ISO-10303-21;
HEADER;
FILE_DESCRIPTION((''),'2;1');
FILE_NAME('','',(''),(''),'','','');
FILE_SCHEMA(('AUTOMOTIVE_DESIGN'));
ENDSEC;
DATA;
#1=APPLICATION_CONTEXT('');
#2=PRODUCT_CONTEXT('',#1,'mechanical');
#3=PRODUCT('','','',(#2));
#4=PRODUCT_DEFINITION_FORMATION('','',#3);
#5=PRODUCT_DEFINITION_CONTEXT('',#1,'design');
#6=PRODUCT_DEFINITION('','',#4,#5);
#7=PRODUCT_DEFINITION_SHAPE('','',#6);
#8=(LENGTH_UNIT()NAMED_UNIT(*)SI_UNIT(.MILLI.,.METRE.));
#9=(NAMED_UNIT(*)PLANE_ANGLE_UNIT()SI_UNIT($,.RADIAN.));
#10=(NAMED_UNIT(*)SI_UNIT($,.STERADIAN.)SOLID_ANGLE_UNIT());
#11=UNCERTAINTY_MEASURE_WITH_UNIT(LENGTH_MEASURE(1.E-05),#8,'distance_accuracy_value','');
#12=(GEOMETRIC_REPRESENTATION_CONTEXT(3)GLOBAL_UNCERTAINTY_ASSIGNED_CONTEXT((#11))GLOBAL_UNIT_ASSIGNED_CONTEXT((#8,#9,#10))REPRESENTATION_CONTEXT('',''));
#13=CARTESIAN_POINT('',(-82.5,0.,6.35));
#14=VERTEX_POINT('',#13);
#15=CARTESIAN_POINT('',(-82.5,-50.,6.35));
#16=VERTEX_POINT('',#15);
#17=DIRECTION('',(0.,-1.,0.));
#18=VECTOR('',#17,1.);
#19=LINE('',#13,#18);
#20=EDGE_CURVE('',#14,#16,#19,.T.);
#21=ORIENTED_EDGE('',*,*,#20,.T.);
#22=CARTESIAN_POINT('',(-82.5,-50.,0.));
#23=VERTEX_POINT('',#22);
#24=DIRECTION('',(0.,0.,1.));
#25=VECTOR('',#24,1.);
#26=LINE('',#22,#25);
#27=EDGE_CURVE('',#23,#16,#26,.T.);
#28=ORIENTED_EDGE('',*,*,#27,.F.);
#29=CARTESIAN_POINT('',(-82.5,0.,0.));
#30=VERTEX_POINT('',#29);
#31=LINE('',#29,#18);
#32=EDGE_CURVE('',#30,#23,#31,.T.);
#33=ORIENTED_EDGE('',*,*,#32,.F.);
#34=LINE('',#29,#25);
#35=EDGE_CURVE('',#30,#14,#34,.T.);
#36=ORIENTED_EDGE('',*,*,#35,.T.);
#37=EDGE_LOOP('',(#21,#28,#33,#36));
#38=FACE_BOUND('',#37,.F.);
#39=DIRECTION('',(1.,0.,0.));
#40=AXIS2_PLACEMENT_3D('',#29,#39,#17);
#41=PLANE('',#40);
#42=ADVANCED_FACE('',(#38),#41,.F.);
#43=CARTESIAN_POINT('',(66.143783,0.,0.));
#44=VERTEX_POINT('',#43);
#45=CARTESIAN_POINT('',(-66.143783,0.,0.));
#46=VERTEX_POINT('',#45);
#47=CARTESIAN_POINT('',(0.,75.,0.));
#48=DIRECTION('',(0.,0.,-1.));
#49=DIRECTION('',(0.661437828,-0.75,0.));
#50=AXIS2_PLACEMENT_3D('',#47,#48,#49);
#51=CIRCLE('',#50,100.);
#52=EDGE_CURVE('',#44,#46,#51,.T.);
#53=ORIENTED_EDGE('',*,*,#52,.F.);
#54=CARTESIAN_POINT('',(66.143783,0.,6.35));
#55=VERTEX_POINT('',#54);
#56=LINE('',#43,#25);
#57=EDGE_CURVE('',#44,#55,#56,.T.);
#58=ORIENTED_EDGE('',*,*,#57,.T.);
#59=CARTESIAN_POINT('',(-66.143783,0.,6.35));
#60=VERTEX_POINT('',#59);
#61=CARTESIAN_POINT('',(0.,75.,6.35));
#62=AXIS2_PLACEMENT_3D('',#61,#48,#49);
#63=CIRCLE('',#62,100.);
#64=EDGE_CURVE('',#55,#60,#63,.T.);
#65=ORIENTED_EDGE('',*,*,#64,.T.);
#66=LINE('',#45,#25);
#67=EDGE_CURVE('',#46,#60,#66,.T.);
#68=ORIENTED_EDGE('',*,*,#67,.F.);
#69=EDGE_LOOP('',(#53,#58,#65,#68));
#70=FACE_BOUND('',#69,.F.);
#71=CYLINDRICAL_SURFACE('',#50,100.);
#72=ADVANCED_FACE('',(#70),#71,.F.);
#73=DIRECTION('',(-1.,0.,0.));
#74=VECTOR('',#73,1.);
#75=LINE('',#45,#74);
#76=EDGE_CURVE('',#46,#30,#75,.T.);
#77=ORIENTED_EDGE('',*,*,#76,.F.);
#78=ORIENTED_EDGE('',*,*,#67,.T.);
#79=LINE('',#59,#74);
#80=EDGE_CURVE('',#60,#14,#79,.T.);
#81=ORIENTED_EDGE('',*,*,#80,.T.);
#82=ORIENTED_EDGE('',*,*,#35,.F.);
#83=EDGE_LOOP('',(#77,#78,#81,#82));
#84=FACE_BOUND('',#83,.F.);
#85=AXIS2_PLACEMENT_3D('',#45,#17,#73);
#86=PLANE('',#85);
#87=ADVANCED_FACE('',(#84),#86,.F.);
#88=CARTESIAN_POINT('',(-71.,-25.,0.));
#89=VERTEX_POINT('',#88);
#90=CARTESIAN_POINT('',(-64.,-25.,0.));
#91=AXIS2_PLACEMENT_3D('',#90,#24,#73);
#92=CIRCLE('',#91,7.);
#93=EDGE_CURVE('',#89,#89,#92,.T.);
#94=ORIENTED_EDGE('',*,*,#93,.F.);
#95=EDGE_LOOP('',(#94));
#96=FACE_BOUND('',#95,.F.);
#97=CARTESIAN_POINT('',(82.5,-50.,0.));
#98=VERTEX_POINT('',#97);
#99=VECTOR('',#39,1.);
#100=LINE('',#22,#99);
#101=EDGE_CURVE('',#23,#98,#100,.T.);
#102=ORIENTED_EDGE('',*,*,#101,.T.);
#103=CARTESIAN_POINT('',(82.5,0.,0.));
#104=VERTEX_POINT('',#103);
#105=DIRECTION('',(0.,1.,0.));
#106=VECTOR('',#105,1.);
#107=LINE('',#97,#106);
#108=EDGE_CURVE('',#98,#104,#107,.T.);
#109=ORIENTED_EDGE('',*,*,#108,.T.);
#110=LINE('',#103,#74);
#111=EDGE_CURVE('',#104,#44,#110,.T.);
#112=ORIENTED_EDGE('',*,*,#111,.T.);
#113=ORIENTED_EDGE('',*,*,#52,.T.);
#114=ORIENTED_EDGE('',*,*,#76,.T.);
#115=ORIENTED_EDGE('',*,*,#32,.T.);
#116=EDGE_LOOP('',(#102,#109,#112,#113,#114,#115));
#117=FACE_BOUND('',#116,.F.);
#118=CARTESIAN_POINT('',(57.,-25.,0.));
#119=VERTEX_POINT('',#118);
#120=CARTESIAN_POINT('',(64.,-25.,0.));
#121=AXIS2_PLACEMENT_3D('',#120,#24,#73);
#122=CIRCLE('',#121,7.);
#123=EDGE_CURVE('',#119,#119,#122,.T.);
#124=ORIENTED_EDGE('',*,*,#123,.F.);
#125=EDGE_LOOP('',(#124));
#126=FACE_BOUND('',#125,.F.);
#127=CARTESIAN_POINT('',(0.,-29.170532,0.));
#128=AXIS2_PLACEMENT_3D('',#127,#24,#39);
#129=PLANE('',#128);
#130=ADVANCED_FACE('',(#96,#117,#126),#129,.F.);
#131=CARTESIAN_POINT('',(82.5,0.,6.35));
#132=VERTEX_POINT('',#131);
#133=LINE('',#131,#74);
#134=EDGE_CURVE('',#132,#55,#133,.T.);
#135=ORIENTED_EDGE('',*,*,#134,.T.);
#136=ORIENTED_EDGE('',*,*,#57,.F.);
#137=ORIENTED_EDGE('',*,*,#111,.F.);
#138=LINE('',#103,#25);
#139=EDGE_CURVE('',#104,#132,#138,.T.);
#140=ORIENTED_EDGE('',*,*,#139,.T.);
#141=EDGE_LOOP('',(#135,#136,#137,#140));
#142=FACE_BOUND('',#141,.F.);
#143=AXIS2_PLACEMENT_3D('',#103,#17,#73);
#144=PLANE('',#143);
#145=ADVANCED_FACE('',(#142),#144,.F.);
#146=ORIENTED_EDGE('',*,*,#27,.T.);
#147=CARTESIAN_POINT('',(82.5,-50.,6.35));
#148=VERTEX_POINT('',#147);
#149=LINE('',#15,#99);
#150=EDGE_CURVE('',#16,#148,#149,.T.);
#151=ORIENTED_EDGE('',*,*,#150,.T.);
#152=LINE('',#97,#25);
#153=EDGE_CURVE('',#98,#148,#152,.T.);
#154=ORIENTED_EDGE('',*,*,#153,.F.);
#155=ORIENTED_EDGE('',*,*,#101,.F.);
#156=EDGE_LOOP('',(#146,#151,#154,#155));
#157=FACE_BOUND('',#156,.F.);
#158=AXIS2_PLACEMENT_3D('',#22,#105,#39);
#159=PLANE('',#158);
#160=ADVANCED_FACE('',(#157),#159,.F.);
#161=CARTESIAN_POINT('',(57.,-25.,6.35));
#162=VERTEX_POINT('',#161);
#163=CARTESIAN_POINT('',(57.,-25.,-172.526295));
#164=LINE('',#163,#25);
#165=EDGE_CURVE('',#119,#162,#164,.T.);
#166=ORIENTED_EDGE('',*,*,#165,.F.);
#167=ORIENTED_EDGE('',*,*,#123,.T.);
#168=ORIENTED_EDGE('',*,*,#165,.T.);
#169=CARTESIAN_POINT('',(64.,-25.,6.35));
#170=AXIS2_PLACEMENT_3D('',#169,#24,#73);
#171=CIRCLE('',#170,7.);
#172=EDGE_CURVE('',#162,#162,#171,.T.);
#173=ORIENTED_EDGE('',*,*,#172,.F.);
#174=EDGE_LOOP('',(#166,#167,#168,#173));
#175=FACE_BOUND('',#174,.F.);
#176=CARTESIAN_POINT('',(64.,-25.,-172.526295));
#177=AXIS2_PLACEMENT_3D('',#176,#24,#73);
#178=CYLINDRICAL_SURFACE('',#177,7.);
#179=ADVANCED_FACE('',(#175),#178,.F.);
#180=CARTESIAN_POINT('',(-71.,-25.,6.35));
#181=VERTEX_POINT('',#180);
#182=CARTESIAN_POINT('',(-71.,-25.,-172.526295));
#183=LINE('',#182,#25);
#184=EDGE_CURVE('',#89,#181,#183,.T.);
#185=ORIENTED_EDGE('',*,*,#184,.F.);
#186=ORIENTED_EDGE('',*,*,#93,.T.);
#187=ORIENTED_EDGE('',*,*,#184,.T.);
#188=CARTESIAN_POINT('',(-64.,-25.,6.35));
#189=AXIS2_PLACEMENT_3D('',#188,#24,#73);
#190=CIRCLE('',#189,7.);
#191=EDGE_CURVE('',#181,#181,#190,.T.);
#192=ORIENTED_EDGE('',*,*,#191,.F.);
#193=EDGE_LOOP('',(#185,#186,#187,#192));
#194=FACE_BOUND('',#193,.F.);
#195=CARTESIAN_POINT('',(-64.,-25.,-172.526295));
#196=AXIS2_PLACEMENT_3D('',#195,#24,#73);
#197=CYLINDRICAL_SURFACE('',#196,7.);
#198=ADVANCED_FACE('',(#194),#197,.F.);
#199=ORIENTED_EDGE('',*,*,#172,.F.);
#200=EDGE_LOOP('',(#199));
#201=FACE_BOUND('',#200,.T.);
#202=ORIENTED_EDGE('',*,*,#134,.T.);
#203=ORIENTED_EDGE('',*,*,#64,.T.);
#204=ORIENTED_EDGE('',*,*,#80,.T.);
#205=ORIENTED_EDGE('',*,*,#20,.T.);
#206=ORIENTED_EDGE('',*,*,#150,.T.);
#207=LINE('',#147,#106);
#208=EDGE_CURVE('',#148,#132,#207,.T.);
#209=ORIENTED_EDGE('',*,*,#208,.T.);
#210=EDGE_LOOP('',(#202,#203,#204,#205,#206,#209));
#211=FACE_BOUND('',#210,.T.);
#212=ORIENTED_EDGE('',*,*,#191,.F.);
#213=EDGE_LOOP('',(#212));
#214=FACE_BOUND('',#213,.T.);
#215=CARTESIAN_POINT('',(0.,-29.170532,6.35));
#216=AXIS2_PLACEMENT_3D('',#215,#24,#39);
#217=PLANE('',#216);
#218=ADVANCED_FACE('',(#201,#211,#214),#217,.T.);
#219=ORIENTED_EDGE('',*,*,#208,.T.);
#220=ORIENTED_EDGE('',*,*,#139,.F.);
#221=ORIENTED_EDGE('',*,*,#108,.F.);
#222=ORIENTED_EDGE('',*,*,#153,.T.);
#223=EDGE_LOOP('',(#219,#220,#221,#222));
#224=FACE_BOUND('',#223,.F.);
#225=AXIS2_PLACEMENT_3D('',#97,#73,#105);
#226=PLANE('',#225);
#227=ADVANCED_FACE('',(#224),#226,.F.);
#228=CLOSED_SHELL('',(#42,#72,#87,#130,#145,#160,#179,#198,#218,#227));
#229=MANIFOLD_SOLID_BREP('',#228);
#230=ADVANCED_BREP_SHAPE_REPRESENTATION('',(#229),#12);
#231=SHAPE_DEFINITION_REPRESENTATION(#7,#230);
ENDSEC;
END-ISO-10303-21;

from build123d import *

# Parameters (mm, degrees)
F1_DEPTH = 6.35
F2_D     = 14


with BuildPart() as f1:
    # F0 (on Top) → F1 (new body)
    with BuildSketch(Plane.XY):
        with BuildLine():
            Line((-66.1437827766, 0), (-82.5, 0))
            Line((-82.5, 0), (-82.5, -50))
            Line((-82.5, -50), (82.5, -50))
            Line((82.5, -50), (82.5, 0))
            Line((82.5, 0), (66.1437827766, 0))
            ThreePointArc((66.1437827766, 0), (0, -25), (-66.1437827766, 0))
        make_face()
    extrude(amount=F1_DEPTH)

    # F2 (through all)
    with Locations(Plane(origin=(0, 0, 0), x_dir=(1, 0, 0), z_dir=(0, 0, -1))):
        with Locations((-64, 25), (64, 25)):
            Hole(F2_D / 2)


solid = f1.part
